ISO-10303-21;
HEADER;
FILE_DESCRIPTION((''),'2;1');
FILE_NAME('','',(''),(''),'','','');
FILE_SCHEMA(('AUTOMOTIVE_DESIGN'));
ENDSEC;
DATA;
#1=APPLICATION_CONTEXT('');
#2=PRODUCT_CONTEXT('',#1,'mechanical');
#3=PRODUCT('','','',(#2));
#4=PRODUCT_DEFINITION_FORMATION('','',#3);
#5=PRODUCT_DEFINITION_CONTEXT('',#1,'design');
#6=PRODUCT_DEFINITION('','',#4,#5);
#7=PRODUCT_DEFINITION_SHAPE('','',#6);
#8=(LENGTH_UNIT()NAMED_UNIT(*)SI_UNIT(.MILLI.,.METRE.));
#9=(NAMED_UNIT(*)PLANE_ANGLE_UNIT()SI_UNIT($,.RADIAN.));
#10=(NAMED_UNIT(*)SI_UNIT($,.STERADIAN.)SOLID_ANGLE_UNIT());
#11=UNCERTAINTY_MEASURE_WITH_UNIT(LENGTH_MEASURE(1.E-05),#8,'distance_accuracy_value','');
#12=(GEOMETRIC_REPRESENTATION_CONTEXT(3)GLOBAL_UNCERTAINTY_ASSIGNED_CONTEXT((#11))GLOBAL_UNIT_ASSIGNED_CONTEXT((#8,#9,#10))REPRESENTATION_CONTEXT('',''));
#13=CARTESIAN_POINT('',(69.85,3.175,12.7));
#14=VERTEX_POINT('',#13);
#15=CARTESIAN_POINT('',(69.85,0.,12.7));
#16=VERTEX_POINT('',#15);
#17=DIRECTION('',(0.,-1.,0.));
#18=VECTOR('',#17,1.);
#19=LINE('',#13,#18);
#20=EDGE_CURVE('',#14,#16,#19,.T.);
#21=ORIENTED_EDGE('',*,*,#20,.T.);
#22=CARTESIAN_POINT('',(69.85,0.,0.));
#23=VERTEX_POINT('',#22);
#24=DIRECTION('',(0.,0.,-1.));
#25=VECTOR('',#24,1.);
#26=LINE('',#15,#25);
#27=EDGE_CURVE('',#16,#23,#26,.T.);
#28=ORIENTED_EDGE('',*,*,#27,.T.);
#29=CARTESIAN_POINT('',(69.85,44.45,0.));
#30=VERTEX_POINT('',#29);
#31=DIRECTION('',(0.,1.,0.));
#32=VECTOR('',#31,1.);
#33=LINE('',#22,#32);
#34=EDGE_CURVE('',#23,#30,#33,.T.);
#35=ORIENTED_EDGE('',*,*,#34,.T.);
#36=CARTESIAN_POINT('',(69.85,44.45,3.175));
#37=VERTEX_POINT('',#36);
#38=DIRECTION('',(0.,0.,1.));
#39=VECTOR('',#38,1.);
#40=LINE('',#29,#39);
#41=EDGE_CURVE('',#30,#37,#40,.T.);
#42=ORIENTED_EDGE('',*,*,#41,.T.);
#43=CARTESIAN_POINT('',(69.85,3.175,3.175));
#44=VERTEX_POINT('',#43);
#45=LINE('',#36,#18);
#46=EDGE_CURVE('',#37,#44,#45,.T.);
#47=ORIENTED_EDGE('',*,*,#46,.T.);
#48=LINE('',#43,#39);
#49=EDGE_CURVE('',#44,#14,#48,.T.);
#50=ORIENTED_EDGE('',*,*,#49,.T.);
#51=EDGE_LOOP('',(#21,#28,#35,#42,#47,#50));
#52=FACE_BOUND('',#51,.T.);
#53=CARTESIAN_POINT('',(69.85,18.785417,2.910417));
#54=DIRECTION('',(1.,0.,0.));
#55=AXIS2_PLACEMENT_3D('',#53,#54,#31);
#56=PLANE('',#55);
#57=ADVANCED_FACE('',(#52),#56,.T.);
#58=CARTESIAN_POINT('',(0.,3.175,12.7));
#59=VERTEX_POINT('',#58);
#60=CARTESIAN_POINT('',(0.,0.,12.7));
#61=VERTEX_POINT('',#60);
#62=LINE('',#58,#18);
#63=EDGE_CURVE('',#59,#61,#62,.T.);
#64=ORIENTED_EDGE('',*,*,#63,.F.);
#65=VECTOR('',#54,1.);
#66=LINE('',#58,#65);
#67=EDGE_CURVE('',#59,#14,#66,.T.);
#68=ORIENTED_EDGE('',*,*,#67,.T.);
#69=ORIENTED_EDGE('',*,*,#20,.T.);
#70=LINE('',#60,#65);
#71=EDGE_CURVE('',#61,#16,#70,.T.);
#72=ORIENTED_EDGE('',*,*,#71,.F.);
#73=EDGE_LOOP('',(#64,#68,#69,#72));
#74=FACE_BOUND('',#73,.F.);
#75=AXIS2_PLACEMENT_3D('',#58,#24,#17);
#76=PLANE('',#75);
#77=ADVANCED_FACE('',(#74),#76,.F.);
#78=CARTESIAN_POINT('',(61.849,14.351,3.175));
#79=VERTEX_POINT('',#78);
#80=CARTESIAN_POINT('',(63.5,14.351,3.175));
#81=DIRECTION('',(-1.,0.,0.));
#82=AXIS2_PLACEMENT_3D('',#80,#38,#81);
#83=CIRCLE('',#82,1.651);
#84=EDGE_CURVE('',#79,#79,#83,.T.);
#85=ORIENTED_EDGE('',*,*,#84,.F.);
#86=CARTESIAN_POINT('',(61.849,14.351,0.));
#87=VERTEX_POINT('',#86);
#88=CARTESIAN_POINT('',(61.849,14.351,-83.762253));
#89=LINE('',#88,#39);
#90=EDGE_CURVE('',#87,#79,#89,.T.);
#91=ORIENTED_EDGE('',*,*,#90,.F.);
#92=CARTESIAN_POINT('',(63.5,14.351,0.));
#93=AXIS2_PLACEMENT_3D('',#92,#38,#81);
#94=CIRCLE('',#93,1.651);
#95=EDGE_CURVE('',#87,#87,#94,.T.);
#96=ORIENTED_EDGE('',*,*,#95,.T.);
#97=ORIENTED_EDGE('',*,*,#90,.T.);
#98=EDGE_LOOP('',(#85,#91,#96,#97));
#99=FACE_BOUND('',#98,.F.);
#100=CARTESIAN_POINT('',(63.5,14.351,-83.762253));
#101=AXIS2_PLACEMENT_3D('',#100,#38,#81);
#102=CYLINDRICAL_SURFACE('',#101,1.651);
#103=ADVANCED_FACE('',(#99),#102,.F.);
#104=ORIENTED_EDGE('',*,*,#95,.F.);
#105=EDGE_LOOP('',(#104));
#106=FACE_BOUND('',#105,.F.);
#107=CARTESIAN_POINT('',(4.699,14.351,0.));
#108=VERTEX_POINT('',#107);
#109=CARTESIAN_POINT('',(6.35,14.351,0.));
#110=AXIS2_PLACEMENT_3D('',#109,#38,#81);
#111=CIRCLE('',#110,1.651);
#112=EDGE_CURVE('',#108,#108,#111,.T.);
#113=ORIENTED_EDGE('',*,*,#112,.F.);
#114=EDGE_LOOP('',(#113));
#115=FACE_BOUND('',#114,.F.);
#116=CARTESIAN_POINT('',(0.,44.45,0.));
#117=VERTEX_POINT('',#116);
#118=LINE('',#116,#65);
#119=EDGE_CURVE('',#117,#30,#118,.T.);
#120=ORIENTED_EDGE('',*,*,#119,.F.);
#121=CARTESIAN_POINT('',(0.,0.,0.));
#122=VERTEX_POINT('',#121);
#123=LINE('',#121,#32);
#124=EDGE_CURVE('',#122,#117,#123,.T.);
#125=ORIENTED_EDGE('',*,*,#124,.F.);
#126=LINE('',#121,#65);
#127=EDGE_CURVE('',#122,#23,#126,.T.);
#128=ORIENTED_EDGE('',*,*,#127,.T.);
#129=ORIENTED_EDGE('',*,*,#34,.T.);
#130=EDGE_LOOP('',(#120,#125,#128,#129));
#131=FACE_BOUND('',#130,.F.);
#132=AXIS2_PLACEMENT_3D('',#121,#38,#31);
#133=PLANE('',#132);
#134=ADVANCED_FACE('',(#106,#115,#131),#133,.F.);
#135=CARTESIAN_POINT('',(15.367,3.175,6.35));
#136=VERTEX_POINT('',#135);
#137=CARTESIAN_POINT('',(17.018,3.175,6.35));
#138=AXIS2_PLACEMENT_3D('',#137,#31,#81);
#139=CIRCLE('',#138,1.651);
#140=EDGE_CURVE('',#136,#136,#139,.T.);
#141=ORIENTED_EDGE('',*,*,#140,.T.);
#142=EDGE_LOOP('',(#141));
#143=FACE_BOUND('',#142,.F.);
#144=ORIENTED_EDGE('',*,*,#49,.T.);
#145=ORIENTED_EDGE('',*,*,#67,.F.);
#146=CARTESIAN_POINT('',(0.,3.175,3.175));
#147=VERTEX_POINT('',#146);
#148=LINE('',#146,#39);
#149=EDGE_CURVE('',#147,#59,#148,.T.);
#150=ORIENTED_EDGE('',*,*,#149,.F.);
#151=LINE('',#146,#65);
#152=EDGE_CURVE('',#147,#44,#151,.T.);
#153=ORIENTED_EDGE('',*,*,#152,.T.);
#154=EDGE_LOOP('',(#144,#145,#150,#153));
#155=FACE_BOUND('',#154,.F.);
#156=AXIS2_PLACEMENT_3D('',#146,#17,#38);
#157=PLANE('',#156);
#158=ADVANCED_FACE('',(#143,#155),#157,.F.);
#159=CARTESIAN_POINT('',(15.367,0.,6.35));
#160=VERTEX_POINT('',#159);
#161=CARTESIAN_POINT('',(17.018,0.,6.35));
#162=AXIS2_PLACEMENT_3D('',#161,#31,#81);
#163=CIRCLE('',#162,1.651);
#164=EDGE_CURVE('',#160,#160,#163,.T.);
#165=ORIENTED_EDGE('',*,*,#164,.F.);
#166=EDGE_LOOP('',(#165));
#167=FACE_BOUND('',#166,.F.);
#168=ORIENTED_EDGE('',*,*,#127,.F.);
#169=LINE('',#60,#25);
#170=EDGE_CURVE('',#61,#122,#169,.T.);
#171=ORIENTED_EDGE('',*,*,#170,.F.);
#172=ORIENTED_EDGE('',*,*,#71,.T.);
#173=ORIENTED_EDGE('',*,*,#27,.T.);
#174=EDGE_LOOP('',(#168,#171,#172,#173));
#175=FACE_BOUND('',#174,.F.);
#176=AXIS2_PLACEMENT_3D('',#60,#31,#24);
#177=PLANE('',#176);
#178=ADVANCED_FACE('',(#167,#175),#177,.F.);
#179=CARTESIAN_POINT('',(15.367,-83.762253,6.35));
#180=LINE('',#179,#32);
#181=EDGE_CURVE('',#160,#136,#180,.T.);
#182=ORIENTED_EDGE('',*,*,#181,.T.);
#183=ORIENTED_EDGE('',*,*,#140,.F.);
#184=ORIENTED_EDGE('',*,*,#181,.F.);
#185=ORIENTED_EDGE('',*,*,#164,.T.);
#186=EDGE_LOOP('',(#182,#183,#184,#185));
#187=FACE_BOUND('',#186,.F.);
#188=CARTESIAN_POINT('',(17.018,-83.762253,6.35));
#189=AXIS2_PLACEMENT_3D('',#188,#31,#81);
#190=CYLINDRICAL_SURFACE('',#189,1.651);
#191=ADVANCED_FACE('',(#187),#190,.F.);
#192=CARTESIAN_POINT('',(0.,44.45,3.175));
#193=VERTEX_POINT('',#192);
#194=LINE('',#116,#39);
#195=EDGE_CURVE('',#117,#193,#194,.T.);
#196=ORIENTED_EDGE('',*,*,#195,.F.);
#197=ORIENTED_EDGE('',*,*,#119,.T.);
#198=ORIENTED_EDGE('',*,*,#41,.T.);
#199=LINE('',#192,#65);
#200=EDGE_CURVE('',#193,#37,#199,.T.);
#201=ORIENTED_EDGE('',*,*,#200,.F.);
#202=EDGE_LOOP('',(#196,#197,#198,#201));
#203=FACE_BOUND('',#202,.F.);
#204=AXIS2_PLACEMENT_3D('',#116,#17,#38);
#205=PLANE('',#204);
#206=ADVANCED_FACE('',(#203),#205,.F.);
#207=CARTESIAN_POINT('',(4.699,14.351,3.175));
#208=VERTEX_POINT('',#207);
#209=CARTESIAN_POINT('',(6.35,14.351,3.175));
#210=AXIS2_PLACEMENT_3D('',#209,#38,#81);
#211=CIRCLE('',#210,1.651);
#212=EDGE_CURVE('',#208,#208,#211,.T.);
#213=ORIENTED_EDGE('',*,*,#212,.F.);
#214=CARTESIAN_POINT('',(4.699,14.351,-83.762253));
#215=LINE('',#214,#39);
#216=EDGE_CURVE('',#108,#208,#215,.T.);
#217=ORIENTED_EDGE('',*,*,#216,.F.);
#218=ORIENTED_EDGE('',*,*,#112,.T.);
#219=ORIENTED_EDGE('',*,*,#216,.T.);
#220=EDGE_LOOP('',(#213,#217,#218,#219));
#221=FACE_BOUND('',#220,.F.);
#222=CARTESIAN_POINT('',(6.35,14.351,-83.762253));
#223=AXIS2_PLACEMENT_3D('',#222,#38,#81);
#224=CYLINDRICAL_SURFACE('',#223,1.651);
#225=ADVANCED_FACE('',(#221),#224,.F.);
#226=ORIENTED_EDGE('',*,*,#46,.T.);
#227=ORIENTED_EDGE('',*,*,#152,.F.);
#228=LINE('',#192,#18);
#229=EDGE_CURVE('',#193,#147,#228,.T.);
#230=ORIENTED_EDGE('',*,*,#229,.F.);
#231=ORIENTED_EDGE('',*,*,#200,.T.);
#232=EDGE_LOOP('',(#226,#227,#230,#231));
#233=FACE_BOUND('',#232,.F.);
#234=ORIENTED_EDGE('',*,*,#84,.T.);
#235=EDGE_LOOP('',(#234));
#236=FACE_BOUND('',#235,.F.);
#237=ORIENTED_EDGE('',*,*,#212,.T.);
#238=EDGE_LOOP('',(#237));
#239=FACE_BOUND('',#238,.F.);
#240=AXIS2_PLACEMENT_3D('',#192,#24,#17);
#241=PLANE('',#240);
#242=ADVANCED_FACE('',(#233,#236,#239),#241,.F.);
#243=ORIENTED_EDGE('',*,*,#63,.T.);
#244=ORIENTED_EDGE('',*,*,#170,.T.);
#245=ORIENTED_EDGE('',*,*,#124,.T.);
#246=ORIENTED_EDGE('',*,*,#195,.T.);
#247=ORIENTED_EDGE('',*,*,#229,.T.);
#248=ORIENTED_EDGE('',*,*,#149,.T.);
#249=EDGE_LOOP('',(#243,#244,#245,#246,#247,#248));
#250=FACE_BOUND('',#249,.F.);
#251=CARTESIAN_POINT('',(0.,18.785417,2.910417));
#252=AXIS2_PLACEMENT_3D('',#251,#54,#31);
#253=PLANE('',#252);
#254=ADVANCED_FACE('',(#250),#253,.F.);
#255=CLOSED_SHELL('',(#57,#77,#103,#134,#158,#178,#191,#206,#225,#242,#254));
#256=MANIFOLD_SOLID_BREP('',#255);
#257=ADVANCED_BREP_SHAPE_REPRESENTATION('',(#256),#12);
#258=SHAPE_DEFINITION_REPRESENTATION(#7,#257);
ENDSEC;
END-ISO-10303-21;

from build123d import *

# Parameters (mm, degrees)
F1_DEPTH = 69.85
F3_D     = 3.302
F5_D     = 3.302


with BuildPart() as f1:
    # F0 (on Right) → F1 (new body)
    with BuildSketch(Plane.YZ):
        Polygon((0, 12.7), (0, 0), (44.45, 0), (44.45, 3.175), (3.175, 3.175), (3.175, 12.7), align=None)
    extrude(amount=F1_DEPTH)

    # F3 (through all)
    with Locations(Plane(origin=(0, 0, 0), x_dir=(1, 0, 0), z_dir=(0, 0, -1))):
        with Locations((6.35, -14.351), (63.5, -14.351)):
            Hole(F3_D / 2)

    # F5 (through all)
    with Locations(Plane.XZ):
        with Locations((17.018, 6.35)):
            Hole(F5_D / 2)


solid = f1.part
